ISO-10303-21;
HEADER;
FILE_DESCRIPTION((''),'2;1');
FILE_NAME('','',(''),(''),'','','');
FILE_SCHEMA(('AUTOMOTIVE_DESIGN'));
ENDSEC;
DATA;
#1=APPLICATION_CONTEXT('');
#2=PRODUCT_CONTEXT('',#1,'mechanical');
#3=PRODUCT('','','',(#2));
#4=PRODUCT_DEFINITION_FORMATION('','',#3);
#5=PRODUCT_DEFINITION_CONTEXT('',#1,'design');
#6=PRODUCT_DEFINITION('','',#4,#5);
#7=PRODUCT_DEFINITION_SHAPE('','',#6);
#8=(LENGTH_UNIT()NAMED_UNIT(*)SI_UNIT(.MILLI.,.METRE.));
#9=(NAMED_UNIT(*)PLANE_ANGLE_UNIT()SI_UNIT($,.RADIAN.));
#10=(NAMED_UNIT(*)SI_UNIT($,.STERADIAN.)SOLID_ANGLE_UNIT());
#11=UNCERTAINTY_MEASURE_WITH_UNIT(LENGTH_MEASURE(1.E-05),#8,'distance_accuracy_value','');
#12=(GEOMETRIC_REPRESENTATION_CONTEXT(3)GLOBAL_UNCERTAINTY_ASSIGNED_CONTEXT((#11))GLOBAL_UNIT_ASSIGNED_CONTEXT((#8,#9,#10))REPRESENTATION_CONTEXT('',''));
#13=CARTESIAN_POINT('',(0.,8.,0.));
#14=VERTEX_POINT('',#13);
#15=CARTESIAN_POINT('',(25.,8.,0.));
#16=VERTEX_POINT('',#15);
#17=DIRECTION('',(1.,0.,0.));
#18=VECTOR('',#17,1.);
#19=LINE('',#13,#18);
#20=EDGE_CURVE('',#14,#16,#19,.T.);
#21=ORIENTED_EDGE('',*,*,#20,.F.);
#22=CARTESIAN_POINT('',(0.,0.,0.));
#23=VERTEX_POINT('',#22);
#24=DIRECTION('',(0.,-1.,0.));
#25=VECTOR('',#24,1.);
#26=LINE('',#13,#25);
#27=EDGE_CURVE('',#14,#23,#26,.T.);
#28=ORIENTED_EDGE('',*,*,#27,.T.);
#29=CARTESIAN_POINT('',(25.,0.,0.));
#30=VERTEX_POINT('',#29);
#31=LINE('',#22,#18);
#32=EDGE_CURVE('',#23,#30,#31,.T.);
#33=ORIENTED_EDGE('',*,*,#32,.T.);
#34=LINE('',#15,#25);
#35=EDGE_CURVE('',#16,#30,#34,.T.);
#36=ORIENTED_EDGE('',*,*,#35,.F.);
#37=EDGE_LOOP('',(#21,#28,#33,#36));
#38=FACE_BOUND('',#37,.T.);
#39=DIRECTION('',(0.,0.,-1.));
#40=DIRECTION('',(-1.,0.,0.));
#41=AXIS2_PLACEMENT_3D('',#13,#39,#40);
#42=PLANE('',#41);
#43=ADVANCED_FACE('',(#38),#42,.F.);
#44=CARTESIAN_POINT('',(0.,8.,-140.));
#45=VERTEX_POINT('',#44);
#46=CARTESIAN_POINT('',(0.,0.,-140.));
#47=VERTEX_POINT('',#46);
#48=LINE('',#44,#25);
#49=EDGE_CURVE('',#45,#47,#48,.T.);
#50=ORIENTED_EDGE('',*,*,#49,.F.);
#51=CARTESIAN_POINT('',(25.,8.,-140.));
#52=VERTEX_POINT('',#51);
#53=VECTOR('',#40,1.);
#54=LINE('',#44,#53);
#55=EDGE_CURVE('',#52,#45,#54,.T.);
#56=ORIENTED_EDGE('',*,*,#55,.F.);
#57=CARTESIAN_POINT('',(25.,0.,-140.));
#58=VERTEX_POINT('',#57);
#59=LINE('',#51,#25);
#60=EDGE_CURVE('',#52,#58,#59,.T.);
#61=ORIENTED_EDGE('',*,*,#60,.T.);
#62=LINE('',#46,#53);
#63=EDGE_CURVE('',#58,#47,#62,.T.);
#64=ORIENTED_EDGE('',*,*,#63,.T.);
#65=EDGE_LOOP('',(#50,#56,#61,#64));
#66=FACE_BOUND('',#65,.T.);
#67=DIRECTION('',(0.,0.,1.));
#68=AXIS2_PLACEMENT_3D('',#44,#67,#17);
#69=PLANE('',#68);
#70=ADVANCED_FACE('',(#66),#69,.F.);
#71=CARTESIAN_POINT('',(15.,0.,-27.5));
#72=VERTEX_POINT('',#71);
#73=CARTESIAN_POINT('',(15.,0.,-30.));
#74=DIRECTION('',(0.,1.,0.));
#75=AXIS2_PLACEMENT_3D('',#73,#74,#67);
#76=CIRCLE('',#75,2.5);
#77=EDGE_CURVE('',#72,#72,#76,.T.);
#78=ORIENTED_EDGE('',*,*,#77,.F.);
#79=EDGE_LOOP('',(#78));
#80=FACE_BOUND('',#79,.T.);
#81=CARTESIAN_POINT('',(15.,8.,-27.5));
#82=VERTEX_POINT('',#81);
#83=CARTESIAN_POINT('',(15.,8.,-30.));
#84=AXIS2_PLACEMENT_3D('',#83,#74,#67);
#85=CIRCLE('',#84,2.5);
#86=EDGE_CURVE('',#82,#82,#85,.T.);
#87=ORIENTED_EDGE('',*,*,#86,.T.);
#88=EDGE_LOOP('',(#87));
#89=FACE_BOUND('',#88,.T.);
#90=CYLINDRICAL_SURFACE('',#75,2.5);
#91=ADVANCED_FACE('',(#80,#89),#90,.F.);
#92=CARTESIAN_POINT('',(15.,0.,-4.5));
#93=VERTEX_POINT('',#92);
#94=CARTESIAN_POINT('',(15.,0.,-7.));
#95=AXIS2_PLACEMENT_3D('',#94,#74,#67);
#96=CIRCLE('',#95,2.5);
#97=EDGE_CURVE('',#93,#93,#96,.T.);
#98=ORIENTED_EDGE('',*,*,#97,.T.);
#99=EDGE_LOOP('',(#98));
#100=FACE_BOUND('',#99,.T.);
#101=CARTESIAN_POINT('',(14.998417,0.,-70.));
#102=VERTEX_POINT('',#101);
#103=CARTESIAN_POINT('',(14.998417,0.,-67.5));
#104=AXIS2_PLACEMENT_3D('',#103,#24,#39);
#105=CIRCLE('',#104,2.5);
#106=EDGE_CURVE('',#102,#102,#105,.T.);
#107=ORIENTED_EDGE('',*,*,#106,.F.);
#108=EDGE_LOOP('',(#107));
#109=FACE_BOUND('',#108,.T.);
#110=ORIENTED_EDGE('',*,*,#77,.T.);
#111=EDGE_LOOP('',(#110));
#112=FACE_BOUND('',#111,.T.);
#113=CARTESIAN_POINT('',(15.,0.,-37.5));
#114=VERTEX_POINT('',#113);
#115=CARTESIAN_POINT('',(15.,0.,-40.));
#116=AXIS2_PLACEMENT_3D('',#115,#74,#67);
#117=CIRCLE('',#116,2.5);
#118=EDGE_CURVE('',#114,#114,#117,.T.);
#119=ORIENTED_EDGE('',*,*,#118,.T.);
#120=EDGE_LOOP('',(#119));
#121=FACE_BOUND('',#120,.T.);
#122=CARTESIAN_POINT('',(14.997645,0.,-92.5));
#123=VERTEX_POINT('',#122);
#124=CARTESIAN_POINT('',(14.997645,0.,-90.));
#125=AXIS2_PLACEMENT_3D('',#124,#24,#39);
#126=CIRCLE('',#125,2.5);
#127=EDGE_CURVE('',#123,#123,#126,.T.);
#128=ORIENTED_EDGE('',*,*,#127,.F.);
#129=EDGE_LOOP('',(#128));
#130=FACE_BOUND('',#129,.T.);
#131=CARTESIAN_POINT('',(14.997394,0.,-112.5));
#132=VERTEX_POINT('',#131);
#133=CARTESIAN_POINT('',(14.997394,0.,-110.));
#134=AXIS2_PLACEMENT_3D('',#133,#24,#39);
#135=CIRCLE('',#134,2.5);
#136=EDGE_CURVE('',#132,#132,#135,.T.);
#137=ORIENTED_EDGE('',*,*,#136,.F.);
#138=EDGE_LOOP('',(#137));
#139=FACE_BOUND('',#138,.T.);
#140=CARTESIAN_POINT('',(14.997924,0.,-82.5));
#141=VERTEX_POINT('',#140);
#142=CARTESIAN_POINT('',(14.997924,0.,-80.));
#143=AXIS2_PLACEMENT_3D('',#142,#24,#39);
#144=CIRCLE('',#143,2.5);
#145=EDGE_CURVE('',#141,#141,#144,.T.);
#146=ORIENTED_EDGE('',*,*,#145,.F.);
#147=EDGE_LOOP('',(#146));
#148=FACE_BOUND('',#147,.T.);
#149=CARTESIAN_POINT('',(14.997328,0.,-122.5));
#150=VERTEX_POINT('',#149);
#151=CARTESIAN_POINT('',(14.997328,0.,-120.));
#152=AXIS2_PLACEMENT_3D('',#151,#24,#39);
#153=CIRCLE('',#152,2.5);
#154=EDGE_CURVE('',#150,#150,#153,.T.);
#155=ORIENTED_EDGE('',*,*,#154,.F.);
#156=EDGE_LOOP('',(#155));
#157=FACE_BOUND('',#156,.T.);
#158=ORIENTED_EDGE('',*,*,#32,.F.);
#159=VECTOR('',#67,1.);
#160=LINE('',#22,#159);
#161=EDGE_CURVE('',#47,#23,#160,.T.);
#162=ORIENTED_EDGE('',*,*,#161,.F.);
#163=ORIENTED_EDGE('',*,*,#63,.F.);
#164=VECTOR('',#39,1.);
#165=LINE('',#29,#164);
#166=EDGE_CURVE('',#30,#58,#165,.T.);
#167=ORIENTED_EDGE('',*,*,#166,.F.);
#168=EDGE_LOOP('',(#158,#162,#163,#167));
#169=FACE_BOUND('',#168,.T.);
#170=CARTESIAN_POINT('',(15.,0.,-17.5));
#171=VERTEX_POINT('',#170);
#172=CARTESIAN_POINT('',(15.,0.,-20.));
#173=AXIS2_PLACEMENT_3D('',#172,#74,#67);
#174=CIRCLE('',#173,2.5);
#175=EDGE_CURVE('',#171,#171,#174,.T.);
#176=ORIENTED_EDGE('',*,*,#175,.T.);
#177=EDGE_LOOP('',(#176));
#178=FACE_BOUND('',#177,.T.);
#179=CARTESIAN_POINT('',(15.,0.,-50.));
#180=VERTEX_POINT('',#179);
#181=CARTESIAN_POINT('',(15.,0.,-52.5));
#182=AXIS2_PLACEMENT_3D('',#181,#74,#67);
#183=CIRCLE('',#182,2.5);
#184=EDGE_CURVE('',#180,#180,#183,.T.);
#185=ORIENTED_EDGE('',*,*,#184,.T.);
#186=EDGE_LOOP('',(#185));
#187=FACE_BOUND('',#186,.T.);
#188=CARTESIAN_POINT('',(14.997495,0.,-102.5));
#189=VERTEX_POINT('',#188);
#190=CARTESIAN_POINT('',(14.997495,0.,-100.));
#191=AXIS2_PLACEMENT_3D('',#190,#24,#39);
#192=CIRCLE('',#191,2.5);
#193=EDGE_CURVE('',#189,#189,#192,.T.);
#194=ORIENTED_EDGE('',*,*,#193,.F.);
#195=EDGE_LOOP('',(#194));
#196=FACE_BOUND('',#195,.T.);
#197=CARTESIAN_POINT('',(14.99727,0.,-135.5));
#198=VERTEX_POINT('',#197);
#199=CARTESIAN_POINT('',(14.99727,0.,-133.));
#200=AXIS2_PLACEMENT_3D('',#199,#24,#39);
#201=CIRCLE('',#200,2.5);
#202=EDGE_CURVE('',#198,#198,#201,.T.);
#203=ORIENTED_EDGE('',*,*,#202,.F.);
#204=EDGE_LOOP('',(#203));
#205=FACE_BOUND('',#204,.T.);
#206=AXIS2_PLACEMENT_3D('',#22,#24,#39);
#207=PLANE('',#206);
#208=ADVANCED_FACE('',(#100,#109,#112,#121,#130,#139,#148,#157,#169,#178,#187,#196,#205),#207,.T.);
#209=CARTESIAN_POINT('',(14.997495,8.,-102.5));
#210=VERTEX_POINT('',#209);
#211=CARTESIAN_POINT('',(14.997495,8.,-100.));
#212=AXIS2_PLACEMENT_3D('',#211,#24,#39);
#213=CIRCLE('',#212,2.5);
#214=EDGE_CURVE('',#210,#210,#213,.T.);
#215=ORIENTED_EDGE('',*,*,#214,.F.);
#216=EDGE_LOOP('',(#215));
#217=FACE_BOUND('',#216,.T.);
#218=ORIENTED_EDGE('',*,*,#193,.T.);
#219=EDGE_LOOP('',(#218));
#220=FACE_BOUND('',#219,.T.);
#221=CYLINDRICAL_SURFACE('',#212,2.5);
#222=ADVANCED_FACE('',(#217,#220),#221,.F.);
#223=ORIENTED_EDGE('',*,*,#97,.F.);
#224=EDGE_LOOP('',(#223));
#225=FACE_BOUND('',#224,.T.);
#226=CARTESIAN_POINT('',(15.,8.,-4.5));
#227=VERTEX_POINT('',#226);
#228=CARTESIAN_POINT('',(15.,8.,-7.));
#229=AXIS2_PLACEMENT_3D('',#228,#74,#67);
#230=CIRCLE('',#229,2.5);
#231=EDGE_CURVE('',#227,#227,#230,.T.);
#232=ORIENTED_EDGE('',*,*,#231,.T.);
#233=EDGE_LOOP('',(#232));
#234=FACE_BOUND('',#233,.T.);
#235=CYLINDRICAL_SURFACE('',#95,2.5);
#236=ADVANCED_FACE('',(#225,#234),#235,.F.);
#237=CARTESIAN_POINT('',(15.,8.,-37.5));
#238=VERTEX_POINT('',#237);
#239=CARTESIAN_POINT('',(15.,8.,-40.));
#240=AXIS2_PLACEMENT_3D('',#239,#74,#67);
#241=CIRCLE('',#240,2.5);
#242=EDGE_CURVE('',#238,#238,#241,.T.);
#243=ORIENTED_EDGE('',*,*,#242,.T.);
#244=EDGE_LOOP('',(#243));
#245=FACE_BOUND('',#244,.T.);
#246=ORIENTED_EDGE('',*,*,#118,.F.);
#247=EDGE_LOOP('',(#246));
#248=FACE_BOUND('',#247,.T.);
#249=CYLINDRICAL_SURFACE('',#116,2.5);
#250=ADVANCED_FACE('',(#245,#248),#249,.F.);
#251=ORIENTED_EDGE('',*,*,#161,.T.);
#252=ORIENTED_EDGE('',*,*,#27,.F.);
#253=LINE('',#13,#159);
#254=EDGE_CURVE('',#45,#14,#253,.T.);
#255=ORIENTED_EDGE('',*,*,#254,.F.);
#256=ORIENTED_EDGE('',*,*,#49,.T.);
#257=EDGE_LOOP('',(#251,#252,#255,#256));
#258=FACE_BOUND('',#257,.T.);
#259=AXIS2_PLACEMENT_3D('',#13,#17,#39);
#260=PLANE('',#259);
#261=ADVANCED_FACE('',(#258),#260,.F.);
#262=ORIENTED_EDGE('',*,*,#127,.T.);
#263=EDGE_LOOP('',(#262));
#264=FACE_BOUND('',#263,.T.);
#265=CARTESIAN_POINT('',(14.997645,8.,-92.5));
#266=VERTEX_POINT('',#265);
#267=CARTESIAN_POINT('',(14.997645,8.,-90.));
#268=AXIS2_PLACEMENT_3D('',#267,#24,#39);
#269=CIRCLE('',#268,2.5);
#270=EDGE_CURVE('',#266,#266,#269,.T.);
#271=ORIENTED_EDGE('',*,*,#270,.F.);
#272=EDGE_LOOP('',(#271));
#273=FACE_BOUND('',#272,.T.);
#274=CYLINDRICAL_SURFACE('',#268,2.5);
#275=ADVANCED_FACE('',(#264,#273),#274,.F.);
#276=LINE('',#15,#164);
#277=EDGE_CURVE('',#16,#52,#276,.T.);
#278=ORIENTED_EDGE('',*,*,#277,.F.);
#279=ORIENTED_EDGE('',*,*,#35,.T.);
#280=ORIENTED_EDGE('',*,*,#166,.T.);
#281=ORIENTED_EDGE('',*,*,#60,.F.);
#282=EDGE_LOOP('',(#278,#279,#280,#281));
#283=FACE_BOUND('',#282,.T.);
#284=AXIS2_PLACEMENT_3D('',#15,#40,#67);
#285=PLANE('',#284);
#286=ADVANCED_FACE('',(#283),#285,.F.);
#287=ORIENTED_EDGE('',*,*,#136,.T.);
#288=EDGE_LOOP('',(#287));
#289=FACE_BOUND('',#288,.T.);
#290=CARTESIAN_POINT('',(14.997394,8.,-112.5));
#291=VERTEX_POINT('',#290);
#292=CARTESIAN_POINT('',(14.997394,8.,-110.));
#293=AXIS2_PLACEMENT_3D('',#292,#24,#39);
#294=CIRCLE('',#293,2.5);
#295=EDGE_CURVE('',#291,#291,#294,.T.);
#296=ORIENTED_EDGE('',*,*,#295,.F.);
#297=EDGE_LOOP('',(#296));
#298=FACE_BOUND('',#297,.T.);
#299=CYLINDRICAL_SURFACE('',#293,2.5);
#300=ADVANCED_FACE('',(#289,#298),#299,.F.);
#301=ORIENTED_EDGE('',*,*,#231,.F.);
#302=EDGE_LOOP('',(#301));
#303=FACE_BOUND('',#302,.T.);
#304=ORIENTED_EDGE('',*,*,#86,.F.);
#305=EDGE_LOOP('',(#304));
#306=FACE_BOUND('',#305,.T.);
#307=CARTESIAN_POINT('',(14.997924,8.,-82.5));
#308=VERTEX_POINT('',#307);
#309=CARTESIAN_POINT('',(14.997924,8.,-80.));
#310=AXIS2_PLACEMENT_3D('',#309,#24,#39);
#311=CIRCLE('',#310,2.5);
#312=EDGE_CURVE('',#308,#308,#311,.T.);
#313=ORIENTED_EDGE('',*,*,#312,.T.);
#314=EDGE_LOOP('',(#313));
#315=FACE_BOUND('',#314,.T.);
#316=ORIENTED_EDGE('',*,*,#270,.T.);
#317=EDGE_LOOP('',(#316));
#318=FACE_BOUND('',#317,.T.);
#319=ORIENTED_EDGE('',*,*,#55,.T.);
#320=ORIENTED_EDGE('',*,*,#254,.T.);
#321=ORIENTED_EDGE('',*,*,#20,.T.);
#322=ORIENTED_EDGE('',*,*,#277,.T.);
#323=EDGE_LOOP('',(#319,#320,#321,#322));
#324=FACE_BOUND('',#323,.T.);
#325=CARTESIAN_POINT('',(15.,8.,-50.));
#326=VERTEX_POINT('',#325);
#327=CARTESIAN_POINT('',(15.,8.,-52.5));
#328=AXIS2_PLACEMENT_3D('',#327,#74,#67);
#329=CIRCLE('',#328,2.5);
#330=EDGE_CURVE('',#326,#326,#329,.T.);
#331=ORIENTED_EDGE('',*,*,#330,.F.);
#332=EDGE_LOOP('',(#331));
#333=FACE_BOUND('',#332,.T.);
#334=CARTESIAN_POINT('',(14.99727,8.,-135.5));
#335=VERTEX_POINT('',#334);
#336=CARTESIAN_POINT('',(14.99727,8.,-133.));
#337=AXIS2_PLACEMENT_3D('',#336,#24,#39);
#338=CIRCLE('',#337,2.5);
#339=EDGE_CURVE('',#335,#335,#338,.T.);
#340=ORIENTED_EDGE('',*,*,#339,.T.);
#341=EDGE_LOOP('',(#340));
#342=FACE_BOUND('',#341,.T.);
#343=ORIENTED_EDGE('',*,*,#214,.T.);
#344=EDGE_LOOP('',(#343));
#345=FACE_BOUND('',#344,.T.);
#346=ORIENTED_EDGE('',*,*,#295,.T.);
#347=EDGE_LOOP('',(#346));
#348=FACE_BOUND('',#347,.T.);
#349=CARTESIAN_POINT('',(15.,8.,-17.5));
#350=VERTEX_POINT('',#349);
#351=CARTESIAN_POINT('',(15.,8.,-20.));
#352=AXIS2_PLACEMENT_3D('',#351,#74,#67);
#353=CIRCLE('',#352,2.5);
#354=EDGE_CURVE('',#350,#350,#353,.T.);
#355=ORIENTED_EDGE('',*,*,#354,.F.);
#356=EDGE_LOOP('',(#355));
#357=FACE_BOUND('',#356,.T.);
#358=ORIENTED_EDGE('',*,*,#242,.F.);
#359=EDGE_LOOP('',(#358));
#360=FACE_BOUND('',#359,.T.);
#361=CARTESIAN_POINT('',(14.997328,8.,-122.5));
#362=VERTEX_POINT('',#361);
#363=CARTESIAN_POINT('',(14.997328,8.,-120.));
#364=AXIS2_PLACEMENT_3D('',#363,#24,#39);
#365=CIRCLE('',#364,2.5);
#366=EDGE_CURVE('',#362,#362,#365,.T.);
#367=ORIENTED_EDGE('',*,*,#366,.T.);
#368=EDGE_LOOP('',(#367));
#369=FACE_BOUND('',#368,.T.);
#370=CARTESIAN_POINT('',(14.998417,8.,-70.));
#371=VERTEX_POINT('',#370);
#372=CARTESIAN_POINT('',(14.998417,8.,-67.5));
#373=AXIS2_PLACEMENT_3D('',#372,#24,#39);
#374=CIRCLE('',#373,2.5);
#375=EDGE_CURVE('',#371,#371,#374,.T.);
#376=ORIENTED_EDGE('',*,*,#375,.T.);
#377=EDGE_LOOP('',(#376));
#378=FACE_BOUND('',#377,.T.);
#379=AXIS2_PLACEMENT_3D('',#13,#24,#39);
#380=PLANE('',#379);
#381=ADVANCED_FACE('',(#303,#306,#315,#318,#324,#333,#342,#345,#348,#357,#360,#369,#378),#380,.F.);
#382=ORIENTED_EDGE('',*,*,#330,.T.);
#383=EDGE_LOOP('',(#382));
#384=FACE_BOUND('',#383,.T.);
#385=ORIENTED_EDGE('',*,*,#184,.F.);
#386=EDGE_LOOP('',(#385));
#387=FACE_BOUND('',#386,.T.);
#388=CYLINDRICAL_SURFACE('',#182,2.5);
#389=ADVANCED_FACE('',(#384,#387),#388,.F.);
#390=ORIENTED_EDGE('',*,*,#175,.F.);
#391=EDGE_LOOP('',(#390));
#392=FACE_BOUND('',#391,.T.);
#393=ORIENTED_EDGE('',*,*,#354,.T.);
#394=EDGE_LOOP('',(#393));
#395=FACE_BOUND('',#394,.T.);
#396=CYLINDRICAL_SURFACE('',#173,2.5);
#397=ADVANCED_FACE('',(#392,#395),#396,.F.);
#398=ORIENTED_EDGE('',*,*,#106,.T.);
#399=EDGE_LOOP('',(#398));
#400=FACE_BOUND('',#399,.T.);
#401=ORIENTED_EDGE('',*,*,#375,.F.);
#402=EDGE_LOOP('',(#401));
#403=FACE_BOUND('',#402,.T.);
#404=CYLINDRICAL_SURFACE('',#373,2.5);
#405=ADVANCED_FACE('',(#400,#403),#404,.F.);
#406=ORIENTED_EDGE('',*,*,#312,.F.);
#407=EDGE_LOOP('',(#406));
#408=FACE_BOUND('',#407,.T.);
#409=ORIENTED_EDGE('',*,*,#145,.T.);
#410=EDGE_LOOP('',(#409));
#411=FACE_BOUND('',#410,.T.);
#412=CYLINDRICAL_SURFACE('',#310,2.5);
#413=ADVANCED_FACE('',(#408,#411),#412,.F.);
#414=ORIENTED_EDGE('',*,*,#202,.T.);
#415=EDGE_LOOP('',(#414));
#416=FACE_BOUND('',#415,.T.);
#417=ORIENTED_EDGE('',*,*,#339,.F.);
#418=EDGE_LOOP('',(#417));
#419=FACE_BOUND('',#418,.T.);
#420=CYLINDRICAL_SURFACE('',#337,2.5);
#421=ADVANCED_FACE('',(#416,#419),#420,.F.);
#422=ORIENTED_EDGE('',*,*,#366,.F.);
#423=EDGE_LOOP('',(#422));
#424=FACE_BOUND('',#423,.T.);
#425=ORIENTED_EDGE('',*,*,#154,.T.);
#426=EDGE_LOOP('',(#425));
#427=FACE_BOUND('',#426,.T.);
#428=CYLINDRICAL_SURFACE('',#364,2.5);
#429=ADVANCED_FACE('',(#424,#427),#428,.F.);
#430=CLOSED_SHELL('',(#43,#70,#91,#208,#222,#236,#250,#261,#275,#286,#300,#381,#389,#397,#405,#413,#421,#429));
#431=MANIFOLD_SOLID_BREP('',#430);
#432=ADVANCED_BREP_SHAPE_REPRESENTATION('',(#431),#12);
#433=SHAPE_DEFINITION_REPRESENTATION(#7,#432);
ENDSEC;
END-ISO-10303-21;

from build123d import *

# Parameters (mm, degrees)
SKETCH1_W           = 25
SKETCH1_H           = 140
BOSS_EXTRUDE1_DEPTH = 8
SKETCH2_R           = 2.5
CUT_EXTRUDE1_DEPTH  = 143.439460825
SKETCH3_R           = 2.5
CUT_EXTRUDE2_DEPTH  = 143.439460825


with BuildPart() as part:
    # Sketch1 → Boss-Extrude1 (new body)
    with BuildSketch(Plane(origin=(0, 0, 0), x_dir=(1, 0, 0), z_dir=(0, 1, 0))):
        with Locations((12.5, 70)):
            Rectangle(SKETCH1_W, SKETCH1_H)
    extrude(amount=BOSS_EXTRUDE1_DEPTH)

    # Sketch2 → Cut-Extrude1 (cut, through all)
    with BuildSketch(Plane(origin=(0, 8, 0), x_dir=(1, 0, 0), z_dir=(0, 1, 0))):
        with Locations(Location((15, 7, 0), (0, 0, 270))):
            Circle(SKETCH2_R)
        with Locations(Location((15, 20, 0), (0, 0, 270))):
            Circle(SKETCH2_R)
        with Locations(Location((15, 30, 0), (0, 0, 270))):
            Circle(SKETCH2_R)
        with Locations(Location((15, 40, 0), (0, 0, 270))):
            Circle(SKETCH2_R)
        with Locations(Location((15, 52.5, 0), (0, 0, 270))):
            Circle(SKETCH2_R)
    extrude(amount=-CUT_EXTRUDE1_DEPTH, mode=Mode.SUBTRACT)

    # Sketch3 → Cut-Extrude2 (cut, through all)
    with BuildSketch(Plane(origin=(0, 0, 0), x_dir=(-1, 0, 0), z_dir=(0, -1, 0))):
        with Locations(Location((-14.998416969, 67.499999916, 0), (0, 0, 90))):
            Circle(SKETCH3_R)
        with Locations(Location((-14.997923514, 79.999999907, 0), (0, 0, 90))):
            Circle(SKETCH3_R)
        with Locations(Location((-14.997645062, 89.999999903, 0), (0, 0, 90))):
            Circle(SKETCH3_R)
        with Locations(Location((-14.997495222, 99.999999902, 0), (0, 0, 90))):
            Circle(SKETCH3_R)
        with Locations(Location((-14.99739352, 109.999999901, 0), (0, 0, 90))):
            Circle(SKETCH3_R)
        with Locations(Location((-14.997327839, 119.999999901, 0), (0, 0, 90))):
            Circle(SKETCH3_R)
        with Locations(Location((-14.997270403, 132.999999901, 0), (0, 0, 90))):
            Circle(SKETCH3_R)
    extrude(amount=-CUT_EXTRUDE2_DEPTH, mode=Mode.SUBTRACT)


solid = part.part
